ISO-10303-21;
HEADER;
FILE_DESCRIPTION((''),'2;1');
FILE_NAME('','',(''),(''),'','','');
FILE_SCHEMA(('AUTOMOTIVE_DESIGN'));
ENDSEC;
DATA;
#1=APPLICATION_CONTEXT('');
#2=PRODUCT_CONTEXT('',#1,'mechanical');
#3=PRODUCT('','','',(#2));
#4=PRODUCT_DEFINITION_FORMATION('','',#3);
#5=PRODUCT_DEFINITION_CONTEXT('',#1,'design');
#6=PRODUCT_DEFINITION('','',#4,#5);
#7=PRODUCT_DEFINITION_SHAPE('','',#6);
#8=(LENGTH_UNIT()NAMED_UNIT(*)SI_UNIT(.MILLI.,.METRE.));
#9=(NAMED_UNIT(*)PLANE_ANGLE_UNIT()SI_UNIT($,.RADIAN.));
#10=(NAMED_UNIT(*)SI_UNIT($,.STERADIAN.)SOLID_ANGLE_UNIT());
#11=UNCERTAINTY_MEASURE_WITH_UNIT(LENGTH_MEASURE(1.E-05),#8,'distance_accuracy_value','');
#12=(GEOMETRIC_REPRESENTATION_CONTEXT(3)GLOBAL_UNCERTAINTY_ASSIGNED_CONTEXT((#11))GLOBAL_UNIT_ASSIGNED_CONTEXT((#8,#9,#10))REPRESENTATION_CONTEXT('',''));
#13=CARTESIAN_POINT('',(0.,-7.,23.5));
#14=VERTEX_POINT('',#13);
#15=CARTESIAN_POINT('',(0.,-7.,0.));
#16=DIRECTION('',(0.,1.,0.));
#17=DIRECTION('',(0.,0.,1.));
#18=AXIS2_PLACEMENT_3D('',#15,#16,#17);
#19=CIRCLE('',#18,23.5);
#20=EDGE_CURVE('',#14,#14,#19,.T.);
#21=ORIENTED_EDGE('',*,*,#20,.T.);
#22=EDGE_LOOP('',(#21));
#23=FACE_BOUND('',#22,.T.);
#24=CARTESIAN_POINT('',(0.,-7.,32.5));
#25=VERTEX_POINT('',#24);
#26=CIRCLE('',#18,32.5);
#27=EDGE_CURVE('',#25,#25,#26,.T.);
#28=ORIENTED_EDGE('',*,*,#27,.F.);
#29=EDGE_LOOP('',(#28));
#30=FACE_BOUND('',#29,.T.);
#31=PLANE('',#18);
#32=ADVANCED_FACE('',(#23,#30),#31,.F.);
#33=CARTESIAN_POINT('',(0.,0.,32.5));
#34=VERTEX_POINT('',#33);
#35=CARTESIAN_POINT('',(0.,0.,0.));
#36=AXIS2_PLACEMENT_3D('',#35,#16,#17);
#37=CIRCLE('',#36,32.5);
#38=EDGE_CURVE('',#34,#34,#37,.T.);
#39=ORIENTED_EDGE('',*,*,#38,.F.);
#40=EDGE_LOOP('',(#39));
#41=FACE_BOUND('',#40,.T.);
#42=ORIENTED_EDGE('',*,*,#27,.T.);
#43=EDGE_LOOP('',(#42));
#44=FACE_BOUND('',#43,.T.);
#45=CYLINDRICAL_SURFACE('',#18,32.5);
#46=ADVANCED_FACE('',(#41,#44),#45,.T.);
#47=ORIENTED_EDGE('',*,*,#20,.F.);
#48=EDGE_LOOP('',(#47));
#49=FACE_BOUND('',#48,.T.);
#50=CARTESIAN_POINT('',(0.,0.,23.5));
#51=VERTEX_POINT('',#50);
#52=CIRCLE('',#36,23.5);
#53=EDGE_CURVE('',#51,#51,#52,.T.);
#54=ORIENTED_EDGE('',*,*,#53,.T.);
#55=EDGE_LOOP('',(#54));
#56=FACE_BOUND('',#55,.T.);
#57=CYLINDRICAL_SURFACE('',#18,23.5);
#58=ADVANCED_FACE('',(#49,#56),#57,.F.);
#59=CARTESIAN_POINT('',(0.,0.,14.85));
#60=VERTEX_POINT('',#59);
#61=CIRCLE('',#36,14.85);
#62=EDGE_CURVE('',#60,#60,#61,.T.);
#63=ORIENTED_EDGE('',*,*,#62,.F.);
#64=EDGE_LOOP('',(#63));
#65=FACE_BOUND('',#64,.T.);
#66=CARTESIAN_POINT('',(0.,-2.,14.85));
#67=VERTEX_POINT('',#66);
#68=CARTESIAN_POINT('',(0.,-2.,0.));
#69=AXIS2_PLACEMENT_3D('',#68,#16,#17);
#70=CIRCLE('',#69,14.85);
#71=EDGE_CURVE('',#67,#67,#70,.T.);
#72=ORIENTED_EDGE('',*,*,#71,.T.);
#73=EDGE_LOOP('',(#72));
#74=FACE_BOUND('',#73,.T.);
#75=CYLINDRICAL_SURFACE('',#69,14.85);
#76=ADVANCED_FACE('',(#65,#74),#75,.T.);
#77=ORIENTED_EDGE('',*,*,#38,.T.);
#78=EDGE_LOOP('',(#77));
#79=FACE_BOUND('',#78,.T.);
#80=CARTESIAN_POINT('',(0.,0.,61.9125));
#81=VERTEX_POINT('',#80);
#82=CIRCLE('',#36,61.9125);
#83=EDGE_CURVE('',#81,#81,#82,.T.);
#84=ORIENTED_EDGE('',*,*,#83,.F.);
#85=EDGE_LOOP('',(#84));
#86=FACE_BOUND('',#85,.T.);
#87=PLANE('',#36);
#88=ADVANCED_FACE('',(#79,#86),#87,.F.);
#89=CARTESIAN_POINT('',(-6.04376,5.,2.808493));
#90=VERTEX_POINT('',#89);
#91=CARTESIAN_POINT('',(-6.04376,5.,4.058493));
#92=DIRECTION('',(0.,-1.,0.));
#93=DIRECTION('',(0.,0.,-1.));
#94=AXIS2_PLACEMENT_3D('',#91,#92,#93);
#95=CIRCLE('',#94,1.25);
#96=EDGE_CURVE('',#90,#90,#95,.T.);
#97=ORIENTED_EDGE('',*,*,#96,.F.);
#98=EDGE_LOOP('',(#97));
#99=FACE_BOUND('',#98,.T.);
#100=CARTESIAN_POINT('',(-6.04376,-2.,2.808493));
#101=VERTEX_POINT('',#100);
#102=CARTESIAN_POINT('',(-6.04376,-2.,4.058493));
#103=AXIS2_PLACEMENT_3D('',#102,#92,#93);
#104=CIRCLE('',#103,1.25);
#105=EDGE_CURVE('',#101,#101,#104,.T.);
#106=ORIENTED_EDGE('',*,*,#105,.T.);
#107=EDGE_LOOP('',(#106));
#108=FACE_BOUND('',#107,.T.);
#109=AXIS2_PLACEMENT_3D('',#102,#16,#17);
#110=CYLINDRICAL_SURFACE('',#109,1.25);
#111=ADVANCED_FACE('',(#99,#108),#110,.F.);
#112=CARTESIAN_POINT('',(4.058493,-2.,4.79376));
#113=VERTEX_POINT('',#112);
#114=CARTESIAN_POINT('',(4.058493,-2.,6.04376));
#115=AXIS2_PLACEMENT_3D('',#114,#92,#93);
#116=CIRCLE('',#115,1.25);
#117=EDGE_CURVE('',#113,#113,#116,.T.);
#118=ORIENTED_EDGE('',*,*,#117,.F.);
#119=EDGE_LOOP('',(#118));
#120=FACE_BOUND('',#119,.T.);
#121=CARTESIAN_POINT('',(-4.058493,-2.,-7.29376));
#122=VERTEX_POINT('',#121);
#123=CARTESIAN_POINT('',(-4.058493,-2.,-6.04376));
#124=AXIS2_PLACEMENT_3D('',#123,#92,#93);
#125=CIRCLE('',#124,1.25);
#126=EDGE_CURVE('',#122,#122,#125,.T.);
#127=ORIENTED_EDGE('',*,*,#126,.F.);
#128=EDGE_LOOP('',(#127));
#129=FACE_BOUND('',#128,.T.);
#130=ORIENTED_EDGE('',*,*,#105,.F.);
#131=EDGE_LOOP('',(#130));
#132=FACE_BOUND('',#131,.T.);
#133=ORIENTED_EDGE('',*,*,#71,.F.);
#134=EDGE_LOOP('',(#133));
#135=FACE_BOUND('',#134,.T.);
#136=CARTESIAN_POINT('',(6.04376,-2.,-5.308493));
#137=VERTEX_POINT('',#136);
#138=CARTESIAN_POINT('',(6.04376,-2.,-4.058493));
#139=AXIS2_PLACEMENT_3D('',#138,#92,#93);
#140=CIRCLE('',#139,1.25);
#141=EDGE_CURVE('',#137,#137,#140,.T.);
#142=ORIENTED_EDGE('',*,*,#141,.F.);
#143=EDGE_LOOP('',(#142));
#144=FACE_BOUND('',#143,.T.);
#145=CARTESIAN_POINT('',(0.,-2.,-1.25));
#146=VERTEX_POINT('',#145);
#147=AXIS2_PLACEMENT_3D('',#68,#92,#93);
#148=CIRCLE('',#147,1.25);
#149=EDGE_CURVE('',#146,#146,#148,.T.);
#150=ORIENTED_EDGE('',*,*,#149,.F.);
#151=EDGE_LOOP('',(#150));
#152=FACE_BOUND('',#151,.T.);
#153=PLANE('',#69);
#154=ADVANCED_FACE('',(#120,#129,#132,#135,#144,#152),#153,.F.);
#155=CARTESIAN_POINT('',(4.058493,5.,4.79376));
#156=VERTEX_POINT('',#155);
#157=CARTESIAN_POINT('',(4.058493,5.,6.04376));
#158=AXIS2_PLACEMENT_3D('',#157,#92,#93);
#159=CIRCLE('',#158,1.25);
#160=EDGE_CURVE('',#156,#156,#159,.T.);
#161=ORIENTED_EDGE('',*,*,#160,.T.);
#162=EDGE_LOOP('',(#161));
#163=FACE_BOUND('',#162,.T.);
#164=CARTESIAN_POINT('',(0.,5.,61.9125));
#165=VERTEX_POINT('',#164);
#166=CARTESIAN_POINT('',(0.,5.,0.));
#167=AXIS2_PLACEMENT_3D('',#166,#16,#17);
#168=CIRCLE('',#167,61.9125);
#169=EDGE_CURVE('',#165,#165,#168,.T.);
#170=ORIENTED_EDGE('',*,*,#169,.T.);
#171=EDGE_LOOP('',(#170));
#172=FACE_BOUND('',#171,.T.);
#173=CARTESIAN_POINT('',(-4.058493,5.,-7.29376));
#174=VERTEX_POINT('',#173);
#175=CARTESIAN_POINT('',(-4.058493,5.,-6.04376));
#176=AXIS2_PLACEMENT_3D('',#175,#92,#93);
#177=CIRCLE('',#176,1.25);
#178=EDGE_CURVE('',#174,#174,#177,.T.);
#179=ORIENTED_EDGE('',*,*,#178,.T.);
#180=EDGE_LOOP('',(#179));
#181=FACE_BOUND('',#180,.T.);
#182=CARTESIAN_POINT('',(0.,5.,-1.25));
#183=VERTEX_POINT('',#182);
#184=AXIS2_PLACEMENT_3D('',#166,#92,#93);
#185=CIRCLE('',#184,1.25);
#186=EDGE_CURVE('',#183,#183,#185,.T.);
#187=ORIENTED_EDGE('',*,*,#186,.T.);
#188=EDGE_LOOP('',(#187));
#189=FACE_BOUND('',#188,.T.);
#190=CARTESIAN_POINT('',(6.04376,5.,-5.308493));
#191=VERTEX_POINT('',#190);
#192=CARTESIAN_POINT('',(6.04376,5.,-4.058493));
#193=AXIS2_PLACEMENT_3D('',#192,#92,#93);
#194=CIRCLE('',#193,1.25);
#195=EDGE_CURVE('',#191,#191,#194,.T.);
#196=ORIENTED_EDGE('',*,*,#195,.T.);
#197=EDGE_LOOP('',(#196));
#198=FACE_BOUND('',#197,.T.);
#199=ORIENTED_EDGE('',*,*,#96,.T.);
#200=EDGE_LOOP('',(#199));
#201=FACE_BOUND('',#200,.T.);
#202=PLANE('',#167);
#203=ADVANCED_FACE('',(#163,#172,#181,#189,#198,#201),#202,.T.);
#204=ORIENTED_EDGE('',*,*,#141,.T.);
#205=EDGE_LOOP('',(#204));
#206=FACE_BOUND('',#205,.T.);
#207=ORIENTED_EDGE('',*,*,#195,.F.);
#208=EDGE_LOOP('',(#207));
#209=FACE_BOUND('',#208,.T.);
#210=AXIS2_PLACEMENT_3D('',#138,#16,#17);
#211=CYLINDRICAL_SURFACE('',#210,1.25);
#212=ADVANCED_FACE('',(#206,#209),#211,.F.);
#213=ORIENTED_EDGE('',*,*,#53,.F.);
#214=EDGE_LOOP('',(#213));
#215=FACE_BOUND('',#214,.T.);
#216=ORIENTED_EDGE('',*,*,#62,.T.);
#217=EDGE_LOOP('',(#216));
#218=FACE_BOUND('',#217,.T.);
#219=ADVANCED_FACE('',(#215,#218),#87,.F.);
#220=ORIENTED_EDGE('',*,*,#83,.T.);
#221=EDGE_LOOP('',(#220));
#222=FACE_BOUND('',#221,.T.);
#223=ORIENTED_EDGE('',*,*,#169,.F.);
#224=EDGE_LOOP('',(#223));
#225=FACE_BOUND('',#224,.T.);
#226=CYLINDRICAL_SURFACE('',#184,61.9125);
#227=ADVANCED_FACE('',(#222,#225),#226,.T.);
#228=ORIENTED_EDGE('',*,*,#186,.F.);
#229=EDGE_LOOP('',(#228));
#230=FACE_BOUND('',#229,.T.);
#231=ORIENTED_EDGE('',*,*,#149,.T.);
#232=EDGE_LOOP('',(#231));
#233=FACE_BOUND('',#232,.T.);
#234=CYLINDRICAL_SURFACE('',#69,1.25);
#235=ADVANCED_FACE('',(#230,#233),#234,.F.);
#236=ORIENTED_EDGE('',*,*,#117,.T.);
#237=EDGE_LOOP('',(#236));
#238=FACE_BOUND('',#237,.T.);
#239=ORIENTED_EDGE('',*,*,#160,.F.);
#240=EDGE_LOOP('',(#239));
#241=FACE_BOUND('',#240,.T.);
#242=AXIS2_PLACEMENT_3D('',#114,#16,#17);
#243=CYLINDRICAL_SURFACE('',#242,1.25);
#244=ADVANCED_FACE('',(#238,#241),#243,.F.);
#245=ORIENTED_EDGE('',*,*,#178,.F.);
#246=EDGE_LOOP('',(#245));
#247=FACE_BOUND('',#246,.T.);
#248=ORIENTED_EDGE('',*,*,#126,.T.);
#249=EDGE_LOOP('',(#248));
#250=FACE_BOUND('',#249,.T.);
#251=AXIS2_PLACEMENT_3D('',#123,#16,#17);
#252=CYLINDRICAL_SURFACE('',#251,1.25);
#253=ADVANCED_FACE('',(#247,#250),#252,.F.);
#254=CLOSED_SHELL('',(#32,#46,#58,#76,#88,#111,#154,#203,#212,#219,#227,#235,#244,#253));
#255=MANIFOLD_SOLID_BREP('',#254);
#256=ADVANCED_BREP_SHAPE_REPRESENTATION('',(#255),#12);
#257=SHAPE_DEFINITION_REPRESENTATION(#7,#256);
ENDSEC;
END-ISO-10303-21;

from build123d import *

# Parameters (mm, degrees)
SKETCH2_R               = 61.9125
BOSS_EXTRUDE1_DEPTH     = 5
SKETCH3_R               = 32.5
SKETCH3_R_2             = 23.5
BOSS_EXTRUDE2_DEPTH     = 7
SKETCH6_R               = 14.85
BOSS_EXTRUDE3_DEPTH     = 2
CUT_EXTRUDE1_DEPTH      = 2
CUT_EXTRUDE1_DEPTH_BACK = 5
SKETCH5_R               = 1.25


with BuildPart() as part:
    # Sketch2 → Boss-Extrude1 (new body)
    with BuildSketch(Plane(origin=(0, 0, 0), x_dir=(1, 0, 0), z_dir=(0, 1, 0))):
        with Locations(Location((0, 0, 0), (0, 0, 270))):
            Circle(SKETCH2_R)
    extrude(amount=BOSS_EXTRUDE1_DEPTH)

    # Sketch3 → Boss-Extrude2 (add)
    with BuildSketch(Plane(origin=(0, 0, 0), x_dir=(1, 0, 0), z_dir=(0, 1, 0))):
        with Locations(Location((0, 0, 0), (0, 0, 270))):
            Circle(SKETCH3_R)
        with Locations(Location((0, 0, 0), (0, 0, 270))):
            Circle(SKETCH3_R_2, mode=Mode.SUBTRACT)
    extrude(amount=-BOSS_EXTRUDE2_DEPTH)

    # Sketch6 → Boss-Extrude3 (add)
    with BuildSketch(Plane(origin=(0, 0, 0), x_dir=(1, 0, 0), z_dir=(0, 1, 0))):
        with Locations(Location((0, 0, 0), (0, 0, 270))):
            Circle(SKETCH6_R)
    extrude(amount=-BOSS_EXTRUDE3_DEPTH)

    # Sketch5 → Cut-Extrude1 (cut, two sides: drawn at the far end of the back side and taken through both)
    with BuildSketch(Plane(origin=(0, 0, 0), x_dir=(-1, 0, 0), z_dir=(0, -1, 0)).offset(-CUT_EXTRUDE1_DEPTH_BACK)):
        with Locations(Location((0, 0, 0), (0, 0, 90))):
            Circle(SKETCH5_R)
        with Locations(Location((-4.058493048, -6.043759937, 0), (0, 0, 90))):
            Circle(SKETCH5_R)
        with Locations(Location((-6.043759937, 4.058493048, 0), (0, 0, 90))):
            Circle(SKETCH5_R)
        with Locations(Location((4.058493048, 6.043759937, 0), (0, 0, 90))):
            Circle(SKETCH5_R)
        with Locations(Location((6.043759937, -4.058493048, 0), (0, 0, 90))):
            Circle(SKETCH5_R)
    extrude(amount=CUT_EXTRUDE1_DEPTH + CUT_EXTRUDE1_DEPTH_BACK, mode=Mode.SUBTRACT)


solid = part.part
